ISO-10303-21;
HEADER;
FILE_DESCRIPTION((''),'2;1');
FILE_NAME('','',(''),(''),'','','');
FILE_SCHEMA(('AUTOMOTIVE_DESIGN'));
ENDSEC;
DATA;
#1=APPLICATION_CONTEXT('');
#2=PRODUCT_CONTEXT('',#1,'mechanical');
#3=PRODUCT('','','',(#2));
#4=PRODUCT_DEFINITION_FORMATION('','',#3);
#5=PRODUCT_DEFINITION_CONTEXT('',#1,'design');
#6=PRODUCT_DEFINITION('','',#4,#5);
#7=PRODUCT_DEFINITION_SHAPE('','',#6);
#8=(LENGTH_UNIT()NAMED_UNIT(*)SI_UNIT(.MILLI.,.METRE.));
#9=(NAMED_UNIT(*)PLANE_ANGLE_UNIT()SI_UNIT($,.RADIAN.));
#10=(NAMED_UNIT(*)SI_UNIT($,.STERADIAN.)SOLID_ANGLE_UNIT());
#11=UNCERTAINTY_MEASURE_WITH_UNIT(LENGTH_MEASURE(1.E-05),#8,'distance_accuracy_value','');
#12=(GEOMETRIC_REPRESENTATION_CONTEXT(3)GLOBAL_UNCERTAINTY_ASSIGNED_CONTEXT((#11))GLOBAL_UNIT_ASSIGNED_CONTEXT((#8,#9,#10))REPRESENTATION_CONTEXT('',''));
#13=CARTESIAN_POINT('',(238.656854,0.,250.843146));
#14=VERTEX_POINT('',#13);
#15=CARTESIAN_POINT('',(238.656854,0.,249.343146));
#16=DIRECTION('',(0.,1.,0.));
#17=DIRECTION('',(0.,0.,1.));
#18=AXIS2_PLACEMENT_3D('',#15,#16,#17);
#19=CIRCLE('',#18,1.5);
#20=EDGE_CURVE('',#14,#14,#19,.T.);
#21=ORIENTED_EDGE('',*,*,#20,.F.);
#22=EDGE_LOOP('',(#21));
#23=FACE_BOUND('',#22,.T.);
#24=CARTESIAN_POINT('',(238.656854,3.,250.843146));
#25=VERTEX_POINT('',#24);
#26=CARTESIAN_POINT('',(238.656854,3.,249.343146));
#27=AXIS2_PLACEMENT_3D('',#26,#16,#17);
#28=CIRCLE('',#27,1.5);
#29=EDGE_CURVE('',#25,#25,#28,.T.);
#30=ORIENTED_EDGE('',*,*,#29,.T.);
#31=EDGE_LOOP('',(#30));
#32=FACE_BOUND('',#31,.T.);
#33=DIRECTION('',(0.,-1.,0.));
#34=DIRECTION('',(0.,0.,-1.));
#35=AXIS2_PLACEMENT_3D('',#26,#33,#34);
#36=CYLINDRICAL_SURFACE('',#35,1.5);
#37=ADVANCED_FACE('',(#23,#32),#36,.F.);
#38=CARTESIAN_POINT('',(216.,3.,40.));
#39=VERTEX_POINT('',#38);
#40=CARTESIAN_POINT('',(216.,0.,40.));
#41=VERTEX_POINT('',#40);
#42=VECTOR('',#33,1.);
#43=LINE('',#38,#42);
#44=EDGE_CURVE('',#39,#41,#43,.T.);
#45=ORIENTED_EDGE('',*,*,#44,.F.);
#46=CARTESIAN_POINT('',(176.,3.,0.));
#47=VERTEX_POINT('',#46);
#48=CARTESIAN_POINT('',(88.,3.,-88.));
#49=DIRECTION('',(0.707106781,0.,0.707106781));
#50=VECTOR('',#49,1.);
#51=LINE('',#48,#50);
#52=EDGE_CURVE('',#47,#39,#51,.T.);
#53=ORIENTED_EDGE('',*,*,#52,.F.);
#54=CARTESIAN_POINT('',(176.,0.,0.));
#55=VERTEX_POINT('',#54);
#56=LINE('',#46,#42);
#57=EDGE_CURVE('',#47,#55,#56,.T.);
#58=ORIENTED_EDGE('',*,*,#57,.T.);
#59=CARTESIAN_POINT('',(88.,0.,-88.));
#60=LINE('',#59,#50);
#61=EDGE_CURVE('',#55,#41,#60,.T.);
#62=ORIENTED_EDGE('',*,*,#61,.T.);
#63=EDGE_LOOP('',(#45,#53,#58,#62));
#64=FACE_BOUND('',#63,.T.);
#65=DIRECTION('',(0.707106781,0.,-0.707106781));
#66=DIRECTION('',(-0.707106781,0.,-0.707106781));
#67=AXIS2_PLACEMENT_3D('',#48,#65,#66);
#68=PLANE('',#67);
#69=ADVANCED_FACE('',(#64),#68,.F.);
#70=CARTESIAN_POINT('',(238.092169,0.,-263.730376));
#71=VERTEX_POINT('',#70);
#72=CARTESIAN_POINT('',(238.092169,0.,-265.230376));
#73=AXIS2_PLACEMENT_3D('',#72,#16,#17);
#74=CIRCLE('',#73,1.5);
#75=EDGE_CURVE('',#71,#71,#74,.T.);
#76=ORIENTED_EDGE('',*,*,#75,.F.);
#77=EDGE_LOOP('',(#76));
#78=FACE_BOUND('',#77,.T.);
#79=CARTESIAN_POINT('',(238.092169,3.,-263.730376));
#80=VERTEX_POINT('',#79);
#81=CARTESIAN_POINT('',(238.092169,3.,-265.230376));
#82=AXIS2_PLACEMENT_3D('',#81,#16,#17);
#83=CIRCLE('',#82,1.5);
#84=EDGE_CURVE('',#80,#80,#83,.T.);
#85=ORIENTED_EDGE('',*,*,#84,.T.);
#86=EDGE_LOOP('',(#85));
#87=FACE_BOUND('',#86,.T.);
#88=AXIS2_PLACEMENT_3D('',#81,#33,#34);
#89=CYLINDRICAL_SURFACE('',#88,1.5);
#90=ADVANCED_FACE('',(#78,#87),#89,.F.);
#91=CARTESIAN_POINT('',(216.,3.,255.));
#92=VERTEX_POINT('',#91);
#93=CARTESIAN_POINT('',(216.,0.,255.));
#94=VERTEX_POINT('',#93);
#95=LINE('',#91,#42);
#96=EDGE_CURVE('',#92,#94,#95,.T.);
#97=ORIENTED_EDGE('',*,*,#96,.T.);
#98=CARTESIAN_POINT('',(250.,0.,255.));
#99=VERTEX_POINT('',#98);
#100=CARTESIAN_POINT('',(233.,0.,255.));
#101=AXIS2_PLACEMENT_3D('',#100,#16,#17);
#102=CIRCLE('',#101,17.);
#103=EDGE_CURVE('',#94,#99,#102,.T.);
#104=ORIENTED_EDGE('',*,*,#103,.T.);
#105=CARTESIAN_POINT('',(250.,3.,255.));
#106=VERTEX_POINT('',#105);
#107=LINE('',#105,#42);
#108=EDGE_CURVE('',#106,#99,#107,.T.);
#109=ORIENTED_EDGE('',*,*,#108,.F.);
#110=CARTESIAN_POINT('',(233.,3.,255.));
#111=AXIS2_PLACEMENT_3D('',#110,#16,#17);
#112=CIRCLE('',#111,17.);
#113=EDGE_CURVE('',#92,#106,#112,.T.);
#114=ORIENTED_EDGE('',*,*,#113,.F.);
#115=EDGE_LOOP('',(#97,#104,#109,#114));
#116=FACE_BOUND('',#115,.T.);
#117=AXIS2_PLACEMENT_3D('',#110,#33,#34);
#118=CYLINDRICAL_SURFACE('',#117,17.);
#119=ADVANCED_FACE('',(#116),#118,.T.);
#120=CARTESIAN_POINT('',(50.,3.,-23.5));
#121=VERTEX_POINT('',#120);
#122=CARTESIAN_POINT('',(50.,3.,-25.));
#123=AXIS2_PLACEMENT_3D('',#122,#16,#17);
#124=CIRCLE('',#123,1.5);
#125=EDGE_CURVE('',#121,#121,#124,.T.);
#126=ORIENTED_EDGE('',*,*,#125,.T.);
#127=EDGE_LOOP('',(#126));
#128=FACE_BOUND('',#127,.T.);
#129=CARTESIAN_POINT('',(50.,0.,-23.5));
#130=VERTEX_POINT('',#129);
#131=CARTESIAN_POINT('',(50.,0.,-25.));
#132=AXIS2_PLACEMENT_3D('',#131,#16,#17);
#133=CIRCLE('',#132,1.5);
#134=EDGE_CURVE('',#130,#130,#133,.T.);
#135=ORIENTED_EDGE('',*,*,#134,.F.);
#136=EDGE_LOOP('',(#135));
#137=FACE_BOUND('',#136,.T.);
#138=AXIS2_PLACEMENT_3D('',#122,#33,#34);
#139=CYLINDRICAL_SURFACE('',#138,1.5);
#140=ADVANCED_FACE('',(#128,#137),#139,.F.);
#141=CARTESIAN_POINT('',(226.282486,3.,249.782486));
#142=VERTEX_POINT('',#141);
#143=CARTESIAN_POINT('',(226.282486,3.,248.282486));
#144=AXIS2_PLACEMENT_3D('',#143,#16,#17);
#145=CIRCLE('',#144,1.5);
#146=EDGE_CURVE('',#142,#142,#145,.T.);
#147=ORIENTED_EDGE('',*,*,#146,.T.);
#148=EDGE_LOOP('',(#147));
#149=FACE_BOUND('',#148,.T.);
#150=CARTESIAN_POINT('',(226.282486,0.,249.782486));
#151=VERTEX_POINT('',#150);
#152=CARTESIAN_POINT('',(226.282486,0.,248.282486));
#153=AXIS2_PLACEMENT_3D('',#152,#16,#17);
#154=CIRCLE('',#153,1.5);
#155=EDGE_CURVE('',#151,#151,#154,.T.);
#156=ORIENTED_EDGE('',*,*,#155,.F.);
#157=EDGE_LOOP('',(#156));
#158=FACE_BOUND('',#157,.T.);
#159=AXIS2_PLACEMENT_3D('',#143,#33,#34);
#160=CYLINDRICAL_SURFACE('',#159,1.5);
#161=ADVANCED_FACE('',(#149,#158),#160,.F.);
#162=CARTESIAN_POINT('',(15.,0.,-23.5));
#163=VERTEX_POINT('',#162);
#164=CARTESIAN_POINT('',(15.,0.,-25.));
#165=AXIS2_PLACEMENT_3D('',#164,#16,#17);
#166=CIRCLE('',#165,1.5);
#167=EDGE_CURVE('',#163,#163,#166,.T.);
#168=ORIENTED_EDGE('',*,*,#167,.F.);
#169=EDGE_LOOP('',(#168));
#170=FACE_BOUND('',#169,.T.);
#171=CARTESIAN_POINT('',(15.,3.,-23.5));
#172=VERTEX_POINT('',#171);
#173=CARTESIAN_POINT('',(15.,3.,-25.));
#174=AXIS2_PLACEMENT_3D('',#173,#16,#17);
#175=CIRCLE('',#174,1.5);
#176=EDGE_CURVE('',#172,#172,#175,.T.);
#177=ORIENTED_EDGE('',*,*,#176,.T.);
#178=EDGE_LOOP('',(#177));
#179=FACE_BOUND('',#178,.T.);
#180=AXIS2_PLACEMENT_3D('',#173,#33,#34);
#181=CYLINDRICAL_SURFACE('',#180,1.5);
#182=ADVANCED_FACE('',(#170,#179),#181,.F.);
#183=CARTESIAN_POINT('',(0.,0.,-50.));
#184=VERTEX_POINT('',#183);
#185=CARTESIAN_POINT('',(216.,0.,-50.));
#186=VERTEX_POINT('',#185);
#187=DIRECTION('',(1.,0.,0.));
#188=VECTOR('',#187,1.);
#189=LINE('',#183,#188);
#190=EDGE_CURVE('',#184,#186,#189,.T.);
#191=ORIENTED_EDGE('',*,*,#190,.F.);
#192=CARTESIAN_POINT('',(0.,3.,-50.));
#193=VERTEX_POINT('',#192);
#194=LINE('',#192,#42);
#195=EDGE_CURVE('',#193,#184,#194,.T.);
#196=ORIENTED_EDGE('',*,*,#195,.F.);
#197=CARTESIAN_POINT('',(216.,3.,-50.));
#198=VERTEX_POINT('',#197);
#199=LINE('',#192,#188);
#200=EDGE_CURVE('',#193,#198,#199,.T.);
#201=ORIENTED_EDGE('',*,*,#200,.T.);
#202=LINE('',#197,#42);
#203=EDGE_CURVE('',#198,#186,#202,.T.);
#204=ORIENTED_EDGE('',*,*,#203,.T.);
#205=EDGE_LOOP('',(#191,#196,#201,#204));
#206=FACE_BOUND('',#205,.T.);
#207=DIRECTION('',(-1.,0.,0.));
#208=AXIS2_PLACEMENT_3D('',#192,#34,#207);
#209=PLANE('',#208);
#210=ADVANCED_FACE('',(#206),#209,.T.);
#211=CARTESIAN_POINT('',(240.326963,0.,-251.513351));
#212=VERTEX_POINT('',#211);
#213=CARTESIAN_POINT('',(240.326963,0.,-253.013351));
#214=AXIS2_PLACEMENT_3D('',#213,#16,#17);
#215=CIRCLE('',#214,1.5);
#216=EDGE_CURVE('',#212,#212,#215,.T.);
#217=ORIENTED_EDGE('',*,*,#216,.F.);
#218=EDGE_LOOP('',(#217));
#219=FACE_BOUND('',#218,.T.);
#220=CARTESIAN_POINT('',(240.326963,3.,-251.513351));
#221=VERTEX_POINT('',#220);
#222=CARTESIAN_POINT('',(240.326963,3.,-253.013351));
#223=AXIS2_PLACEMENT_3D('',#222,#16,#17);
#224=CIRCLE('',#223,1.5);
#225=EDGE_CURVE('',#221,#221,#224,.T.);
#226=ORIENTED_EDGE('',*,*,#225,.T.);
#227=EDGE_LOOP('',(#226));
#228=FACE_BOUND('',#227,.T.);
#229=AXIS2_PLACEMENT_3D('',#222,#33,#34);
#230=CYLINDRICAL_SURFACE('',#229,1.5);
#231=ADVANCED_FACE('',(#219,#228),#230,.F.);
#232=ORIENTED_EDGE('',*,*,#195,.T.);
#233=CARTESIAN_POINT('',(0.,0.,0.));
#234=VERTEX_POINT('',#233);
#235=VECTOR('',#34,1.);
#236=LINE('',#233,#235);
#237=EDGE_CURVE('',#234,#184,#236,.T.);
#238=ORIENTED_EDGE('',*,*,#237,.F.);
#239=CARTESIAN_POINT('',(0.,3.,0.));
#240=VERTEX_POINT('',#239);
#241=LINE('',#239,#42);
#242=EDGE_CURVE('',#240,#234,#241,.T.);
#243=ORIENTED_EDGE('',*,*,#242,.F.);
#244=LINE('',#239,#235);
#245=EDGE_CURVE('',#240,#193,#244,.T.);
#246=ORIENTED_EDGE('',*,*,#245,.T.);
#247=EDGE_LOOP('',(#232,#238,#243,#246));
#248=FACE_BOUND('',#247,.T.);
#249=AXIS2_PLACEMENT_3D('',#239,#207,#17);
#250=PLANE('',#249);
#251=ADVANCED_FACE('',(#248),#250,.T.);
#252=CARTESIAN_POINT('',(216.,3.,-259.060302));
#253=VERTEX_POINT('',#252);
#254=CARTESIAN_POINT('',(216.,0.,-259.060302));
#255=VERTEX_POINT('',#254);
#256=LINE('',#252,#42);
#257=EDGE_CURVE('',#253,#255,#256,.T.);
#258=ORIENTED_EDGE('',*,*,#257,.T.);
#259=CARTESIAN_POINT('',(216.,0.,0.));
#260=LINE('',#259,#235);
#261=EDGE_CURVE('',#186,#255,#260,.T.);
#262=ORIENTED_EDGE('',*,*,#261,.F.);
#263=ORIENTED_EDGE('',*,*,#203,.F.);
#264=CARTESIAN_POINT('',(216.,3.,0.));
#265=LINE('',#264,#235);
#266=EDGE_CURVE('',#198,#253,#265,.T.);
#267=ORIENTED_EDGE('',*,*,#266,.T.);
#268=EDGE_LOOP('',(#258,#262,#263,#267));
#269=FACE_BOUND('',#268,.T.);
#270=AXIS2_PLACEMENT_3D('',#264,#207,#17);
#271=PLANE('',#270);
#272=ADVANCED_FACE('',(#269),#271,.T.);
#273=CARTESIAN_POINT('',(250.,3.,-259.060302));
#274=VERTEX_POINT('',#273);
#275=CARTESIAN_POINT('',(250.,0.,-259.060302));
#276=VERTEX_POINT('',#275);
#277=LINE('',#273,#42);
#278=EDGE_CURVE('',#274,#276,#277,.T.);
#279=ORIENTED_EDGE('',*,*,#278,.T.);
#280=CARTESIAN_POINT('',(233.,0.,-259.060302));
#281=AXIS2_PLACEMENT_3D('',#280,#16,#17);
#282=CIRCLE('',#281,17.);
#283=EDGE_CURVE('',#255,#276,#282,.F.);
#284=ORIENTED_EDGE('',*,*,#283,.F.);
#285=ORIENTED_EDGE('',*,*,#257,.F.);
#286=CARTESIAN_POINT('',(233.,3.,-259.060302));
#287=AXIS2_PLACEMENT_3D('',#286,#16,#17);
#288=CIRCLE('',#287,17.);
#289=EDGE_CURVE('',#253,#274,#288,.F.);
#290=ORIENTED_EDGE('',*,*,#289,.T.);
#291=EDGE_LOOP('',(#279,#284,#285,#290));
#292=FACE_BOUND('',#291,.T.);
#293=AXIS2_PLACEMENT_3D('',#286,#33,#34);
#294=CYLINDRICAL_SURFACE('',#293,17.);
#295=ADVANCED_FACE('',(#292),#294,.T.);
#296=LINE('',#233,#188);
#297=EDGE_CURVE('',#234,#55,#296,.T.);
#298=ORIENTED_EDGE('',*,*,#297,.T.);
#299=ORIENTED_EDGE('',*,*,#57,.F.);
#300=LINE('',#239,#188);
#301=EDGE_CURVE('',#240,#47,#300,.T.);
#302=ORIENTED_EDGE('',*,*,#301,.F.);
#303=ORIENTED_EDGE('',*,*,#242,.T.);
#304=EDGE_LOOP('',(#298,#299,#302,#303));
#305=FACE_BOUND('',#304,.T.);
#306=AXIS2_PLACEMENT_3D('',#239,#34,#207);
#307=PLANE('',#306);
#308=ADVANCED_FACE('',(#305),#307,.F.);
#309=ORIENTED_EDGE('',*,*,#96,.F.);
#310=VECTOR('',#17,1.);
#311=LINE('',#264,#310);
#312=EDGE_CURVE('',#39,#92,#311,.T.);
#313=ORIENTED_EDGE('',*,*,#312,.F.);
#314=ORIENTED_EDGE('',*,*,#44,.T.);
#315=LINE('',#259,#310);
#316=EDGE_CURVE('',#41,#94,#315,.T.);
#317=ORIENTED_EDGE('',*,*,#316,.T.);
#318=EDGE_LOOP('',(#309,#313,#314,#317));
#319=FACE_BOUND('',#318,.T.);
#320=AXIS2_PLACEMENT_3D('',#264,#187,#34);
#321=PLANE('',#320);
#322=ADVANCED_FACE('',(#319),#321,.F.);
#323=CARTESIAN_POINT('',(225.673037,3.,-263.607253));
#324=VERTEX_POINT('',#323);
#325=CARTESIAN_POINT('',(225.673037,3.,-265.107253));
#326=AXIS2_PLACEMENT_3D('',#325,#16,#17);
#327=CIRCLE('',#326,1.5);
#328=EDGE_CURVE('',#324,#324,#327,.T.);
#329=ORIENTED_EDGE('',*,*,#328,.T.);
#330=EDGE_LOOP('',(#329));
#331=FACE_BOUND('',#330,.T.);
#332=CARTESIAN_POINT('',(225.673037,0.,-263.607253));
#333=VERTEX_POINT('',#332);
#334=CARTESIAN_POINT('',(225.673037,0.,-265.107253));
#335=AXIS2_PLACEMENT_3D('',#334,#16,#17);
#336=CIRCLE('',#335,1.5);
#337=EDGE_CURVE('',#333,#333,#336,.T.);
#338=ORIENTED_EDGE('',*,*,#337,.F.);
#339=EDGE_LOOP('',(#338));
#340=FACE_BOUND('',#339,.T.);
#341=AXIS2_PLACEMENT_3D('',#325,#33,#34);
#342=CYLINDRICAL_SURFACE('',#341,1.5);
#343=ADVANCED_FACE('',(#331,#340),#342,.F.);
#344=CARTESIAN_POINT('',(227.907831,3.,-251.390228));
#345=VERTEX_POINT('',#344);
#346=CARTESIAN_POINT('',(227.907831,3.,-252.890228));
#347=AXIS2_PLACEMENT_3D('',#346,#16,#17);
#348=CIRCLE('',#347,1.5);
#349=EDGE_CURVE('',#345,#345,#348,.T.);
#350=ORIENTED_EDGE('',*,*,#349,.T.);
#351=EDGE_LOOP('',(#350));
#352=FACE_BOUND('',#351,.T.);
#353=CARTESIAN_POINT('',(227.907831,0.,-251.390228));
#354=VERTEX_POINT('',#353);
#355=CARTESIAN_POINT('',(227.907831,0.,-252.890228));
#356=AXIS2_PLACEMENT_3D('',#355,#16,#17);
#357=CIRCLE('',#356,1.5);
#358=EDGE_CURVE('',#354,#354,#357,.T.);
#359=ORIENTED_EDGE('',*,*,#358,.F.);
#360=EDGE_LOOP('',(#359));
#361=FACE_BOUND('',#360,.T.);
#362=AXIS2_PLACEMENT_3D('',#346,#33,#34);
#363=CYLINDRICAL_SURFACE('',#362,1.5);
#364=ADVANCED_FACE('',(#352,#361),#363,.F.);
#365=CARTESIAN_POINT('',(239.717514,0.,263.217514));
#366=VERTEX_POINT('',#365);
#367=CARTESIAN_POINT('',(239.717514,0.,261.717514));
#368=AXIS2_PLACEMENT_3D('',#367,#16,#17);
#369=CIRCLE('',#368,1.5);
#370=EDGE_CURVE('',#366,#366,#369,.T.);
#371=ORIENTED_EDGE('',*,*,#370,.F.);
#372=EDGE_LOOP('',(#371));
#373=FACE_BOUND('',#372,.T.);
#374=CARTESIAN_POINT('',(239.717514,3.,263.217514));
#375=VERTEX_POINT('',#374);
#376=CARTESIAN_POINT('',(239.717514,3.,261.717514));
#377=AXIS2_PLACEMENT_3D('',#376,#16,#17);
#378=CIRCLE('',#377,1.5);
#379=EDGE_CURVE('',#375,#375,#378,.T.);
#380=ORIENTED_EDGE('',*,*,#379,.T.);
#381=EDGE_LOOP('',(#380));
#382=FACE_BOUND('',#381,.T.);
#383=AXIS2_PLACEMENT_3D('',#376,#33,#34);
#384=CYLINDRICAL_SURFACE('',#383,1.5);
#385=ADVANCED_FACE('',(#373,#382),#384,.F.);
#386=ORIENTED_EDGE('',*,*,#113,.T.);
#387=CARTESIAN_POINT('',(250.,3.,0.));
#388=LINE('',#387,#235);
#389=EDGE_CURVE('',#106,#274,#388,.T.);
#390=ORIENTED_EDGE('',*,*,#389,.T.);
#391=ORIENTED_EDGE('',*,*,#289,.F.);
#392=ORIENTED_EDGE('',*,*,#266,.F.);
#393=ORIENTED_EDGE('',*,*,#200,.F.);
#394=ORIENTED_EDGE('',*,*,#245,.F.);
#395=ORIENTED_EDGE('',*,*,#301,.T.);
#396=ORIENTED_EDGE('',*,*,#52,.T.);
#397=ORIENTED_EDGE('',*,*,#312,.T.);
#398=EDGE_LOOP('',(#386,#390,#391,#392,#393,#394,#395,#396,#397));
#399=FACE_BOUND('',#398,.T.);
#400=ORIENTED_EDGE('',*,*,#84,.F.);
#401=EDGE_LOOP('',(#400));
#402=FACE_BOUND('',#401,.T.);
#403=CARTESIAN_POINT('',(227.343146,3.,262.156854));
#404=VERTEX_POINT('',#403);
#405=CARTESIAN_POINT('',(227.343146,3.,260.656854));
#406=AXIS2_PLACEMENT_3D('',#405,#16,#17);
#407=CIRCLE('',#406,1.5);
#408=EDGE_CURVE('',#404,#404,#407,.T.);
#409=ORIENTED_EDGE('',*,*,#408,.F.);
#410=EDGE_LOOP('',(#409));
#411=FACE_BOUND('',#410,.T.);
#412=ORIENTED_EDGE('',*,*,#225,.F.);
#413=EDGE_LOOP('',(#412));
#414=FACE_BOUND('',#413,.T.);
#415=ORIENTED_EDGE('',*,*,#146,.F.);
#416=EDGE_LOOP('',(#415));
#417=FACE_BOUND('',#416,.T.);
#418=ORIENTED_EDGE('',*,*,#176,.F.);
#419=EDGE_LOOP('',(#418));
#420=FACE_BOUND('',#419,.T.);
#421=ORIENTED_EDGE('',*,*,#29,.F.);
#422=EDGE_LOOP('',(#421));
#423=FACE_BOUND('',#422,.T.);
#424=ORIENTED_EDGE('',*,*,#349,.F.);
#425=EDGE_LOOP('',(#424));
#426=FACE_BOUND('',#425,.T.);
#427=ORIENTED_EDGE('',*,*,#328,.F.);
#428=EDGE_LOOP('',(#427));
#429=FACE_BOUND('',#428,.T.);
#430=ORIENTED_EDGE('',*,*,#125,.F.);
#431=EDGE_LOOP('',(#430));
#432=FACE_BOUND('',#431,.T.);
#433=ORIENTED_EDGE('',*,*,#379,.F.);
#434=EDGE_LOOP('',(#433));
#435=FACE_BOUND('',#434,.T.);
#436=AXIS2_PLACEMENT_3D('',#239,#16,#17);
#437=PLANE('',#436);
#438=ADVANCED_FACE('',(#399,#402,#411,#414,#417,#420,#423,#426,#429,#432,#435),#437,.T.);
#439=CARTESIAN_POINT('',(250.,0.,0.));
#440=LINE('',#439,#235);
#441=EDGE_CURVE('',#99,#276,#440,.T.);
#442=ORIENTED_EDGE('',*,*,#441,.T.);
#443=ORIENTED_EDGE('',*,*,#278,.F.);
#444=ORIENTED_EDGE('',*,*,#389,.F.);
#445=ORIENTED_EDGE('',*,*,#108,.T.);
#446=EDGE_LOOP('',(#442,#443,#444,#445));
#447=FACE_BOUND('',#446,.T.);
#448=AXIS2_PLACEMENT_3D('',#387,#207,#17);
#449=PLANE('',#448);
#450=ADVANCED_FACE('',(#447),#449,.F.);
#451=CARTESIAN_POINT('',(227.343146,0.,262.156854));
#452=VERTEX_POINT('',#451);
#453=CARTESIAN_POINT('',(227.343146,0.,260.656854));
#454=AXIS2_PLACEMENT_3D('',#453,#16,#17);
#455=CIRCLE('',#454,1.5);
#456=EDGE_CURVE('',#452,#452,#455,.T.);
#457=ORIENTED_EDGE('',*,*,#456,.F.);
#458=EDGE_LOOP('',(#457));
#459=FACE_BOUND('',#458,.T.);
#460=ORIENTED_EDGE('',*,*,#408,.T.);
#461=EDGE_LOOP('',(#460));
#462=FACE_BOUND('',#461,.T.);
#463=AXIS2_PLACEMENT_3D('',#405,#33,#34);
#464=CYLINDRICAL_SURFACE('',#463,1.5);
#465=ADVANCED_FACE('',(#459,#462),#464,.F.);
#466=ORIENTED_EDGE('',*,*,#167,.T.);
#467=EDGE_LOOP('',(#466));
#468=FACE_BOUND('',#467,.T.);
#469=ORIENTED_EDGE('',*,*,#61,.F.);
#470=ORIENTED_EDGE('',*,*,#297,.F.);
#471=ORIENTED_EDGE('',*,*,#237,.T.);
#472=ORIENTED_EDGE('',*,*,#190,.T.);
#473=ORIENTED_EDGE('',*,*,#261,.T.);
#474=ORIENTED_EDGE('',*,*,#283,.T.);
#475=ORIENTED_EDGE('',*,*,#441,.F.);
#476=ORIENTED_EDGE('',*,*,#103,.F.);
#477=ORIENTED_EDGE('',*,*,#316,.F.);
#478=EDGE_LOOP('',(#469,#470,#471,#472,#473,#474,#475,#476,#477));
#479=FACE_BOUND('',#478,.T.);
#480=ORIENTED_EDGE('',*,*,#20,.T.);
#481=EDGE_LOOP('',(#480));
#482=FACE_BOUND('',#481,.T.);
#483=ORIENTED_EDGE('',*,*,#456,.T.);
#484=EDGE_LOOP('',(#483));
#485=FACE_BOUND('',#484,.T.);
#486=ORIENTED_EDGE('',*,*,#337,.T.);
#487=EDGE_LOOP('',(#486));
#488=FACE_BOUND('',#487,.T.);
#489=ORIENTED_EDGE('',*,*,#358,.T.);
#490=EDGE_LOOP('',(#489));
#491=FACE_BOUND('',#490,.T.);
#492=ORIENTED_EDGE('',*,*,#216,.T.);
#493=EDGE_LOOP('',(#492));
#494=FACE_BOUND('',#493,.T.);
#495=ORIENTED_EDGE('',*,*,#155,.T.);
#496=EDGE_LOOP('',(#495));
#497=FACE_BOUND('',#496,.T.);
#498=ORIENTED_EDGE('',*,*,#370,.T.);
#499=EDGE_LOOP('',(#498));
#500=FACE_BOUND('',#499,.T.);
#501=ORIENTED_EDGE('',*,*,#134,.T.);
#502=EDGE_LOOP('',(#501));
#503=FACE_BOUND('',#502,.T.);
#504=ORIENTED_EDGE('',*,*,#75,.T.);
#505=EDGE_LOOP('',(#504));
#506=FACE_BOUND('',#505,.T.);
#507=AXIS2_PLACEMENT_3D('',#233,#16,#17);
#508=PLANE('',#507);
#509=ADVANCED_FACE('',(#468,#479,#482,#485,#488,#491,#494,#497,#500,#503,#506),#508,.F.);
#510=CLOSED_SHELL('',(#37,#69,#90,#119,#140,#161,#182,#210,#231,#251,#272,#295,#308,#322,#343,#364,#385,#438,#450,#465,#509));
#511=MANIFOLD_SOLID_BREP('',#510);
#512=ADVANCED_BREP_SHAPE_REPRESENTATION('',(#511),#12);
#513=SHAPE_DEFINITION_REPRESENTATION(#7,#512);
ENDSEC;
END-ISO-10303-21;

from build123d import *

# Parameters (mm, degrees)
SKETCH1_R           = 1.5
BOSS_EXTRUDE1_DEPTH = 3


with BuildPart() as part:
    # Sketch1 → Boss-Extrude1 (new body)
    with BuildSketch(Plane(origin=(0, 0, 0), x_dir=(1, 0, 0), z_dir=(0, 1, 0))):
        with BuildLine():
            Line((0, 0), (176, 0))
            Line((176, 0), (216, -40))
            Line((216, -40), (216, -255))
            ThreePointArc((216, -255), (233, -272), (250, -255))
            Line((250, -255), (250, 259.060301809))
            ThreePointArc((250, 259.060301809), (233, 276.060301809), (216, 259.060301809))
            Line((216, 259.060301809), (216, 50))
            Line((216, 50), (0, 50))
            Line((0, 50), (0, 0))
        make_face()
        with Locations(Location((238.092169369, 265.230375643, 0), (0, 0, 270))):
            Circle(SKETCH1_R, mode=Mode.SUBTRACT)
        with Locations(Location((225.673037322, 265.107252935, 0), (0, 0, 270))):
            Circle(SKETCH1_R, mode=Mode.SUBTRACT)
        with Locations(Location((227.907830631, 252.890227975, 0), (0, 0, 270))):
            Circle(SKETCH1_R, mode=Mode.SUBTRACT)
        with Locations(Location((240.326962678, 253.013350683, 0), (0, 0, 270))):
            Circle(SKETCH1_R, mode=Mode.SUBTRACT)
        with Locations(Location((226.282485579, -248.282485579, 0), (0, 0, 270))):
            Circle(SKETCH1_R, mode=Mode.SUBTRACT)
        with Locations(Location((238.656854249, -249.343145751, 0), (0, 0, 270))):
            Circle(SKETCH1_R, mode=Mode.SUBTRACT)
        with Locations(Location((239.717514421, -261.717514421, 0), (0, 0, 270))):
            Circle(SKETCH1_R, mode=Mode.SUBTRACT)
        with Locations(Location((227.343145751, -260.656854249, 0), (0, 0, 270))):
            Circle(SKETCH1_R, mode=Mode.SUBTRACT)
        with Locations(Location((15, 25, 0), (0, 0, 270))):
            Circle(SKETCH1_R, mode=Mode.SUBTRACT)
        with Locations(Location((50, 25, 0), (0, 0, 270))):
            Circle(SKETCH1_R, mode=Mode.SUBTRACT)
    extrude(amount=BOSS_EXTRUDE1_DEPTH)


solid = part.part
